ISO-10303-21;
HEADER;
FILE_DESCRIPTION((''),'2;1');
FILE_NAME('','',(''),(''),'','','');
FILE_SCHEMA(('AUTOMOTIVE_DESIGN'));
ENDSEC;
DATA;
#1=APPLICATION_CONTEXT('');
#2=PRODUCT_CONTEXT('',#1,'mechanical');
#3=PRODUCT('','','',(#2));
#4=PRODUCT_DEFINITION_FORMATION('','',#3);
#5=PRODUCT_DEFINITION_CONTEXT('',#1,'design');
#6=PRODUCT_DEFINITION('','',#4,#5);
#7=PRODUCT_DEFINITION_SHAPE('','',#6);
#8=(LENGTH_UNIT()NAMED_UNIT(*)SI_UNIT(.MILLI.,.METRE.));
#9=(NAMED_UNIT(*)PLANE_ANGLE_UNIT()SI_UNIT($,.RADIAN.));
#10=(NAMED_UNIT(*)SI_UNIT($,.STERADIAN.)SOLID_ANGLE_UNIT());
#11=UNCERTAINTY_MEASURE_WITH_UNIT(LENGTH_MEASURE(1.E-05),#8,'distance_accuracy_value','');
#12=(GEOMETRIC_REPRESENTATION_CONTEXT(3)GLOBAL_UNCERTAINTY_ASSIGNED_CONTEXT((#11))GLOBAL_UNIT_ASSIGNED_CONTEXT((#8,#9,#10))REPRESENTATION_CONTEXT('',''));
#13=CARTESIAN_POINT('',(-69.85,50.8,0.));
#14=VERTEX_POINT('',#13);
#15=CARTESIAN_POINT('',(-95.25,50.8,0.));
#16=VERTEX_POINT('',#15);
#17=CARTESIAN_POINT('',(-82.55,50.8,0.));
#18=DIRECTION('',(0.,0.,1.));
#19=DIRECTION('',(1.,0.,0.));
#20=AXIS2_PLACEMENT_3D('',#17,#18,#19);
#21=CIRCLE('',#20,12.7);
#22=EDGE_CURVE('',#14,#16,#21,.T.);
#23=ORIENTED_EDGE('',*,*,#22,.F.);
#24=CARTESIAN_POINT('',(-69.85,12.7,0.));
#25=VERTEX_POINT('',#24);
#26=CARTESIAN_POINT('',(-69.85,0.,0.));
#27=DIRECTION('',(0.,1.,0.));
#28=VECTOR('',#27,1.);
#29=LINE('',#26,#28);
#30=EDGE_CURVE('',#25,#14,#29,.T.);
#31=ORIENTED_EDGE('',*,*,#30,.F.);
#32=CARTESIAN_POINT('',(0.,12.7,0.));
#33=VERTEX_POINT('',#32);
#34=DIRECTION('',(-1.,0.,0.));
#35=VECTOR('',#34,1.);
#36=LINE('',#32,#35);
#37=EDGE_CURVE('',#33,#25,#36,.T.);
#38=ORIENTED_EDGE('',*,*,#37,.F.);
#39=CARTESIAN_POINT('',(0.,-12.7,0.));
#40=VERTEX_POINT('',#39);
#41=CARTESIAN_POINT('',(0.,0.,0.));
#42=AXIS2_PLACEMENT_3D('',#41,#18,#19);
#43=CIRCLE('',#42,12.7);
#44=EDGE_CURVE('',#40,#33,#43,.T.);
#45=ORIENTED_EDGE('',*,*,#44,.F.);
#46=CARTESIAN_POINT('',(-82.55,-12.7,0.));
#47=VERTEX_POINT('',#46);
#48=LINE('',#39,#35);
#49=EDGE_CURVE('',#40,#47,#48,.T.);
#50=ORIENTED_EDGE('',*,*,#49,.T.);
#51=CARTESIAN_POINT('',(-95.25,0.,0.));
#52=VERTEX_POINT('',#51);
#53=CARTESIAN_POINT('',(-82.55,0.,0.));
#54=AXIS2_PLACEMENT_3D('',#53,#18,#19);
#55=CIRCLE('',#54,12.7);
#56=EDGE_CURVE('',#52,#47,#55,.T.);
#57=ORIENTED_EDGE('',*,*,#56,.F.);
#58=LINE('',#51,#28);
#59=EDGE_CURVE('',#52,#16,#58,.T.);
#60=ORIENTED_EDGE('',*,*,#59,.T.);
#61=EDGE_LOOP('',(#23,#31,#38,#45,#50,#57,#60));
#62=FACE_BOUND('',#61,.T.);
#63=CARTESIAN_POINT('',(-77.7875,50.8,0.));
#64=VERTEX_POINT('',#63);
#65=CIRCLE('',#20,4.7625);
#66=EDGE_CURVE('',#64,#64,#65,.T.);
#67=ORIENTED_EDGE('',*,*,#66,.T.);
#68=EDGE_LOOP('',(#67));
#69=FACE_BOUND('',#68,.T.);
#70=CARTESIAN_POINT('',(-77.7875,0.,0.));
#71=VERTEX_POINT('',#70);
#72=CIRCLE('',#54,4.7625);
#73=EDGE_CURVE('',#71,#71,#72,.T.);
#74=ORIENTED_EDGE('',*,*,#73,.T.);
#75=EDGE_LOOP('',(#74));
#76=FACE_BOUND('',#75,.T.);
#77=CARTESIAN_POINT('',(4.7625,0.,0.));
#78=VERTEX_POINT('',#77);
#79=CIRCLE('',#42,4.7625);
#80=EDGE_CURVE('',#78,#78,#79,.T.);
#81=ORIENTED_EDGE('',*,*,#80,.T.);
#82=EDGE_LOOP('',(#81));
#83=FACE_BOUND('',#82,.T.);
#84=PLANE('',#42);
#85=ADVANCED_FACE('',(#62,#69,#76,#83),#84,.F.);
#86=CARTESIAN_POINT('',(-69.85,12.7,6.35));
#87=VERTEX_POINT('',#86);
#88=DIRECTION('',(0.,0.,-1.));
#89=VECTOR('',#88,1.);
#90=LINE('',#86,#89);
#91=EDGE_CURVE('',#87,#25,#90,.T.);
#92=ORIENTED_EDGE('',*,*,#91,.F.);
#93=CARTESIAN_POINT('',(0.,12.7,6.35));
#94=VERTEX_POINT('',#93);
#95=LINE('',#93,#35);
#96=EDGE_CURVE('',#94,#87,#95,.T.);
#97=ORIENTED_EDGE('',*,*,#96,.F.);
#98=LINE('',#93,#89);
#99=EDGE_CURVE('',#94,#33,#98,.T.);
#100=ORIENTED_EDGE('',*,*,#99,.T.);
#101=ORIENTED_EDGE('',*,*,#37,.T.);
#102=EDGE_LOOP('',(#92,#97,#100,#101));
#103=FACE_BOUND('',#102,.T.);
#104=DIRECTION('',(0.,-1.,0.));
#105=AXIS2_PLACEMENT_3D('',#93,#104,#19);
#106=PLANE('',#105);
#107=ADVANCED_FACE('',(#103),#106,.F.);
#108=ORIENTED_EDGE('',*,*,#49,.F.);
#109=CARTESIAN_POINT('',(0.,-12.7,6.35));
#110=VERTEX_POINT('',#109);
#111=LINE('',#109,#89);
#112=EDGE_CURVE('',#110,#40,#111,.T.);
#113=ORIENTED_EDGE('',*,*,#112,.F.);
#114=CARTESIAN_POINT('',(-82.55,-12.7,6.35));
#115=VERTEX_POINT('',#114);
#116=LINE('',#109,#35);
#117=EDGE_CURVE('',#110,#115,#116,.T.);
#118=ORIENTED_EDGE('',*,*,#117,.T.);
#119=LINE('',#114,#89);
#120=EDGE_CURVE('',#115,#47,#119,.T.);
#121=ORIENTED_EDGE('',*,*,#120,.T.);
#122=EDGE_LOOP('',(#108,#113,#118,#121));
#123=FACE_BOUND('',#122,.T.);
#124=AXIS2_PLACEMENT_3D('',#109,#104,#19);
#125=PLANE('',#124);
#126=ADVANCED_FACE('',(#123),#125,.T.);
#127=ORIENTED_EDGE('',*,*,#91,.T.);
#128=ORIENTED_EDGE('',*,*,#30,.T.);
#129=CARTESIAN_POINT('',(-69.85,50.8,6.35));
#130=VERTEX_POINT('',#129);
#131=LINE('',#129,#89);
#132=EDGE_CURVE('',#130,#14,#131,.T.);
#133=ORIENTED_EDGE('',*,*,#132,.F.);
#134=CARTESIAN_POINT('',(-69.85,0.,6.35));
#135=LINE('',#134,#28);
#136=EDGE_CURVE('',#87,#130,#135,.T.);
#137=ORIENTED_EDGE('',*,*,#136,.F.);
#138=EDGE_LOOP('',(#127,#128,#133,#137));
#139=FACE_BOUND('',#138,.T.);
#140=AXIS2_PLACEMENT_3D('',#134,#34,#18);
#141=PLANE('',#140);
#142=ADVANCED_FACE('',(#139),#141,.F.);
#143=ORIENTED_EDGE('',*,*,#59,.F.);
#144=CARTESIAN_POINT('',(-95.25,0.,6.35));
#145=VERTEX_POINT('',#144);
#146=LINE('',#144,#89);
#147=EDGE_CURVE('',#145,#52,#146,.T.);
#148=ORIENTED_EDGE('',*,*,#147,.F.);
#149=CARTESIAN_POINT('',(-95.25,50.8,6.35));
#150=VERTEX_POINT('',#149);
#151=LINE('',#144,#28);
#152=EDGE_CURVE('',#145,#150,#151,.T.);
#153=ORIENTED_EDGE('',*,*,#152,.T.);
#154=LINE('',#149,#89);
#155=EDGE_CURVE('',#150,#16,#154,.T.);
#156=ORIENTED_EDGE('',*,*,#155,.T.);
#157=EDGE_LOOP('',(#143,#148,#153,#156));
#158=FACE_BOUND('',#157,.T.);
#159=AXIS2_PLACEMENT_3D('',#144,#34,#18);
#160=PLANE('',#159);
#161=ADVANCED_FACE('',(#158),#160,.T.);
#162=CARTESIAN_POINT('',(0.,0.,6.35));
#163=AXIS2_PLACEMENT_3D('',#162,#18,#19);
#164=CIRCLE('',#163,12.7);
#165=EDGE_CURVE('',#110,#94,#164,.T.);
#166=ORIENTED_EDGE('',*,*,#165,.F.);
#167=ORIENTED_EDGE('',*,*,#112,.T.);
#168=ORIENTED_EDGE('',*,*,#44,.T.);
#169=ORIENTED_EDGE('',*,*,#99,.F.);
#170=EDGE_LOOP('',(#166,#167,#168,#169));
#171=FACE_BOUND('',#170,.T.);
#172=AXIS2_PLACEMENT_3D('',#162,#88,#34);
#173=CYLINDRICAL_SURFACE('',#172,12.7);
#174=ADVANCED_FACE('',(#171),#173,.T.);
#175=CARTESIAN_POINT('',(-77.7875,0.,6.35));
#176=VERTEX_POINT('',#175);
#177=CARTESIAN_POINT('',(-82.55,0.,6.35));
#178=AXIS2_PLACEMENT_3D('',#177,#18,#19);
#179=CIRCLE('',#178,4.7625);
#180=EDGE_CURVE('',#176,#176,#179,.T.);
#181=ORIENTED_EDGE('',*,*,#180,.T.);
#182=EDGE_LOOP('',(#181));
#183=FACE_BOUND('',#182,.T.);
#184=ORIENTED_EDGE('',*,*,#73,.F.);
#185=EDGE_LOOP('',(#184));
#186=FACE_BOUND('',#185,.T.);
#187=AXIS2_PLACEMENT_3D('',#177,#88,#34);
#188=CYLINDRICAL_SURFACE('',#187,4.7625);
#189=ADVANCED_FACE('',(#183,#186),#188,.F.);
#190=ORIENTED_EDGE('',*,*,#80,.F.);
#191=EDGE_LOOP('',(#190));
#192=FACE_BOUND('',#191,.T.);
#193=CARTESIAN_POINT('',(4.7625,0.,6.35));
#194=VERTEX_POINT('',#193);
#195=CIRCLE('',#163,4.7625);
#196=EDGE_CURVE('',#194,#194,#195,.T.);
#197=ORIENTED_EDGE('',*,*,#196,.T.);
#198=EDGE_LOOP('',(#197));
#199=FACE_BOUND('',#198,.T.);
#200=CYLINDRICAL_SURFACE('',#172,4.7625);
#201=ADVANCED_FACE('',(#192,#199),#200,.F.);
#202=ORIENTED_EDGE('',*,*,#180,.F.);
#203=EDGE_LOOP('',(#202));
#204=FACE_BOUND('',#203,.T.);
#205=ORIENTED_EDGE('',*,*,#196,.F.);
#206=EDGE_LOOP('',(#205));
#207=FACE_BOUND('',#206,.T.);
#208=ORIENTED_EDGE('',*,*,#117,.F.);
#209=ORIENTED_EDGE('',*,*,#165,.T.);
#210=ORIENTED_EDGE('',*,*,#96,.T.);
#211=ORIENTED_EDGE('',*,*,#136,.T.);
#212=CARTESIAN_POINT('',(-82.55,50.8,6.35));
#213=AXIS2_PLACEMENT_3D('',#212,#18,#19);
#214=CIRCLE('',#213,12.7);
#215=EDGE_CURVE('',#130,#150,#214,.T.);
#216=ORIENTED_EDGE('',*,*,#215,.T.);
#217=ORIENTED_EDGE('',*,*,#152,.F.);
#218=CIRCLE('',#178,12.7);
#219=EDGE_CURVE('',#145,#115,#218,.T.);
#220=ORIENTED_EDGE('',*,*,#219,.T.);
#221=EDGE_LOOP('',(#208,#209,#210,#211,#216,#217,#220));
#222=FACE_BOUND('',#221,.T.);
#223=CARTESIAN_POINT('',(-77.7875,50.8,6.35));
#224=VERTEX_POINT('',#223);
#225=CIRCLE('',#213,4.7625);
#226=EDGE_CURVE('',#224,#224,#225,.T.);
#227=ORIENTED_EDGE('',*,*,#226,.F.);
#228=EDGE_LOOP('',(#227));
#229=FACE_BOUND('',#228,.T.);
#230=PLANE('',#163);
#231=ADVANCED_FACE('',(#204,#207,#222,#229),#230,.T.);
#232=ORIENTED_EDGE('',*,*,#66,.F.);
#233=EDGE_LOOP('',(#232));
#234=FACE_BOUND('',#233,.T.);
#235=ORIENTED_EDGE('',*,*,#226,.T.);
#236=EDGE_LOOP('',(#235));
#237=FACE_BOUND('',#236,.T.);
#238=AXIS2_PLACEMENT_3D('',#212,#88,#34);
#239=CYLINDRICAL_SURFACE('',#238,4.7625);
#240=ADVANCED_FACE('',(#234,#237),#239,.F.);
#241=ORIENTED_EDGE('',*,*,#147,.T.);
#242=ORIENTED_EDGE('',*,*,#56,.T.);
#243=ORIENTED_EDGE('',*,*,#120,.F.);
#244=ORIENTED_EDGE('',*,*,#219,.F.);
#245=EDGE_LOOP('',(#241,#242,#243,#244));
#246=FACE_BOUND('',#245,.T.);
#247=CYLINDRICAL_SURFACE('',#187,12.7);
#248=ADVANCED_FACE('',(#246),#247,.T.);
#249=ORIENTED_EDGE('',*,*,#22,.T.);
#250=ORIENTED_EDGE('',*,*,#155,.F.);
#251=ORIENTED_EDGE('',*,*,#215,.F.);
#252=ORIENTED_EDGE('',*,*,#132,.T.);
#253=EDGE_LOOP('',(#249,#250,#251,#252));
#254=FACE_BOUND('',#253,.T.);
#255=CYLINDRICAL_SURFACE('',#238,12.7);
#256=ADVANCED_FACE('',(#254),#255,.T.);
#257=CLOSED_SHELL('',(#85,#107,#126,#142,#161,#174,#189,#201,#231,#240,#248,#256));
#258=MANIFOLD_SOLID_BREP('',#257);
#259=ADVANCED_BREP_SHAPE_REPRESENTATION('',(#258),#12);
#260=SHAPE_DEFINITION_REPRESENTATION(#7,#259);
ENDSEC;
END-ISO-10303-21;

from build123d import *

# Parameters (mm, degrees)
SKETCH1_R           = 4.7625
BOSS_EXTRUDE1_DEPTH = 6.35


with BuildPart() as part:
    # Sketch1 → Boss-Extrude1 (new body)
    with BuildSketch(Plane.XY):
        with BuildLine():
            Line((-95.25, 50.8), (-95.25, 0))
            ThreePointArc((-95.25, 0), (-91.530256121, 8.980256121), (-82.55, 12.7))
            Line((-82.55, 12.7), (-69.85, 12.7))
            Line((-69.85, 12.7), (-69.85, 50.8))
            ThreePointArc((-69.85, 50.8), (-82.55, 63.5), (-95.25, 50.8))
        make_face()
        with Locations((-82.55, 50.8)):
            Circle(SKETCH1_R, mode=Mode.SUBTRACT)
        with BuildLine():
            ThreePointArc((-95.25, 0), (-91.530256121, -8.980256121), (-82.55, -12.7))
            ThreePointArc((-82.55, -12.7), (-73.569743879, -8.980256121), (-69.85, 0))
            Line((-69.85, 0), (-69.85, 12.7))
            Line((-69.85, 12.7), (-82.55, 12.7))
            ThreePointArc((-82.55, 12.7), (-91.530256121, 8.980256121), (-95.25, 0))
        make_face()
        with Locations((-82.55, 0)):
            Circle(SKETCH1_R, mode=Mode.SUBTRACT)
        with BuildLine():
            Line((-82.55, -12.7), (0, -12.7))
            ThreePointArc((0, -12.7), (12.7, 0), (0, 12.7))
            Line((0, 12.7), (-69.85, 12.7))
            Line((-69.85, 12.7), (-69.85, 0))
            ThreePointArc((-69.85, 0), (-73.569743879, -8.980256121), (-82.55, -12.7))
        make_face()
        Circle(SKETCH1_R, mode=Mode.SUBTRACT)
    extrude(amount=BOSS_EXTRUDE1_DEPTH)


solid = part.part
